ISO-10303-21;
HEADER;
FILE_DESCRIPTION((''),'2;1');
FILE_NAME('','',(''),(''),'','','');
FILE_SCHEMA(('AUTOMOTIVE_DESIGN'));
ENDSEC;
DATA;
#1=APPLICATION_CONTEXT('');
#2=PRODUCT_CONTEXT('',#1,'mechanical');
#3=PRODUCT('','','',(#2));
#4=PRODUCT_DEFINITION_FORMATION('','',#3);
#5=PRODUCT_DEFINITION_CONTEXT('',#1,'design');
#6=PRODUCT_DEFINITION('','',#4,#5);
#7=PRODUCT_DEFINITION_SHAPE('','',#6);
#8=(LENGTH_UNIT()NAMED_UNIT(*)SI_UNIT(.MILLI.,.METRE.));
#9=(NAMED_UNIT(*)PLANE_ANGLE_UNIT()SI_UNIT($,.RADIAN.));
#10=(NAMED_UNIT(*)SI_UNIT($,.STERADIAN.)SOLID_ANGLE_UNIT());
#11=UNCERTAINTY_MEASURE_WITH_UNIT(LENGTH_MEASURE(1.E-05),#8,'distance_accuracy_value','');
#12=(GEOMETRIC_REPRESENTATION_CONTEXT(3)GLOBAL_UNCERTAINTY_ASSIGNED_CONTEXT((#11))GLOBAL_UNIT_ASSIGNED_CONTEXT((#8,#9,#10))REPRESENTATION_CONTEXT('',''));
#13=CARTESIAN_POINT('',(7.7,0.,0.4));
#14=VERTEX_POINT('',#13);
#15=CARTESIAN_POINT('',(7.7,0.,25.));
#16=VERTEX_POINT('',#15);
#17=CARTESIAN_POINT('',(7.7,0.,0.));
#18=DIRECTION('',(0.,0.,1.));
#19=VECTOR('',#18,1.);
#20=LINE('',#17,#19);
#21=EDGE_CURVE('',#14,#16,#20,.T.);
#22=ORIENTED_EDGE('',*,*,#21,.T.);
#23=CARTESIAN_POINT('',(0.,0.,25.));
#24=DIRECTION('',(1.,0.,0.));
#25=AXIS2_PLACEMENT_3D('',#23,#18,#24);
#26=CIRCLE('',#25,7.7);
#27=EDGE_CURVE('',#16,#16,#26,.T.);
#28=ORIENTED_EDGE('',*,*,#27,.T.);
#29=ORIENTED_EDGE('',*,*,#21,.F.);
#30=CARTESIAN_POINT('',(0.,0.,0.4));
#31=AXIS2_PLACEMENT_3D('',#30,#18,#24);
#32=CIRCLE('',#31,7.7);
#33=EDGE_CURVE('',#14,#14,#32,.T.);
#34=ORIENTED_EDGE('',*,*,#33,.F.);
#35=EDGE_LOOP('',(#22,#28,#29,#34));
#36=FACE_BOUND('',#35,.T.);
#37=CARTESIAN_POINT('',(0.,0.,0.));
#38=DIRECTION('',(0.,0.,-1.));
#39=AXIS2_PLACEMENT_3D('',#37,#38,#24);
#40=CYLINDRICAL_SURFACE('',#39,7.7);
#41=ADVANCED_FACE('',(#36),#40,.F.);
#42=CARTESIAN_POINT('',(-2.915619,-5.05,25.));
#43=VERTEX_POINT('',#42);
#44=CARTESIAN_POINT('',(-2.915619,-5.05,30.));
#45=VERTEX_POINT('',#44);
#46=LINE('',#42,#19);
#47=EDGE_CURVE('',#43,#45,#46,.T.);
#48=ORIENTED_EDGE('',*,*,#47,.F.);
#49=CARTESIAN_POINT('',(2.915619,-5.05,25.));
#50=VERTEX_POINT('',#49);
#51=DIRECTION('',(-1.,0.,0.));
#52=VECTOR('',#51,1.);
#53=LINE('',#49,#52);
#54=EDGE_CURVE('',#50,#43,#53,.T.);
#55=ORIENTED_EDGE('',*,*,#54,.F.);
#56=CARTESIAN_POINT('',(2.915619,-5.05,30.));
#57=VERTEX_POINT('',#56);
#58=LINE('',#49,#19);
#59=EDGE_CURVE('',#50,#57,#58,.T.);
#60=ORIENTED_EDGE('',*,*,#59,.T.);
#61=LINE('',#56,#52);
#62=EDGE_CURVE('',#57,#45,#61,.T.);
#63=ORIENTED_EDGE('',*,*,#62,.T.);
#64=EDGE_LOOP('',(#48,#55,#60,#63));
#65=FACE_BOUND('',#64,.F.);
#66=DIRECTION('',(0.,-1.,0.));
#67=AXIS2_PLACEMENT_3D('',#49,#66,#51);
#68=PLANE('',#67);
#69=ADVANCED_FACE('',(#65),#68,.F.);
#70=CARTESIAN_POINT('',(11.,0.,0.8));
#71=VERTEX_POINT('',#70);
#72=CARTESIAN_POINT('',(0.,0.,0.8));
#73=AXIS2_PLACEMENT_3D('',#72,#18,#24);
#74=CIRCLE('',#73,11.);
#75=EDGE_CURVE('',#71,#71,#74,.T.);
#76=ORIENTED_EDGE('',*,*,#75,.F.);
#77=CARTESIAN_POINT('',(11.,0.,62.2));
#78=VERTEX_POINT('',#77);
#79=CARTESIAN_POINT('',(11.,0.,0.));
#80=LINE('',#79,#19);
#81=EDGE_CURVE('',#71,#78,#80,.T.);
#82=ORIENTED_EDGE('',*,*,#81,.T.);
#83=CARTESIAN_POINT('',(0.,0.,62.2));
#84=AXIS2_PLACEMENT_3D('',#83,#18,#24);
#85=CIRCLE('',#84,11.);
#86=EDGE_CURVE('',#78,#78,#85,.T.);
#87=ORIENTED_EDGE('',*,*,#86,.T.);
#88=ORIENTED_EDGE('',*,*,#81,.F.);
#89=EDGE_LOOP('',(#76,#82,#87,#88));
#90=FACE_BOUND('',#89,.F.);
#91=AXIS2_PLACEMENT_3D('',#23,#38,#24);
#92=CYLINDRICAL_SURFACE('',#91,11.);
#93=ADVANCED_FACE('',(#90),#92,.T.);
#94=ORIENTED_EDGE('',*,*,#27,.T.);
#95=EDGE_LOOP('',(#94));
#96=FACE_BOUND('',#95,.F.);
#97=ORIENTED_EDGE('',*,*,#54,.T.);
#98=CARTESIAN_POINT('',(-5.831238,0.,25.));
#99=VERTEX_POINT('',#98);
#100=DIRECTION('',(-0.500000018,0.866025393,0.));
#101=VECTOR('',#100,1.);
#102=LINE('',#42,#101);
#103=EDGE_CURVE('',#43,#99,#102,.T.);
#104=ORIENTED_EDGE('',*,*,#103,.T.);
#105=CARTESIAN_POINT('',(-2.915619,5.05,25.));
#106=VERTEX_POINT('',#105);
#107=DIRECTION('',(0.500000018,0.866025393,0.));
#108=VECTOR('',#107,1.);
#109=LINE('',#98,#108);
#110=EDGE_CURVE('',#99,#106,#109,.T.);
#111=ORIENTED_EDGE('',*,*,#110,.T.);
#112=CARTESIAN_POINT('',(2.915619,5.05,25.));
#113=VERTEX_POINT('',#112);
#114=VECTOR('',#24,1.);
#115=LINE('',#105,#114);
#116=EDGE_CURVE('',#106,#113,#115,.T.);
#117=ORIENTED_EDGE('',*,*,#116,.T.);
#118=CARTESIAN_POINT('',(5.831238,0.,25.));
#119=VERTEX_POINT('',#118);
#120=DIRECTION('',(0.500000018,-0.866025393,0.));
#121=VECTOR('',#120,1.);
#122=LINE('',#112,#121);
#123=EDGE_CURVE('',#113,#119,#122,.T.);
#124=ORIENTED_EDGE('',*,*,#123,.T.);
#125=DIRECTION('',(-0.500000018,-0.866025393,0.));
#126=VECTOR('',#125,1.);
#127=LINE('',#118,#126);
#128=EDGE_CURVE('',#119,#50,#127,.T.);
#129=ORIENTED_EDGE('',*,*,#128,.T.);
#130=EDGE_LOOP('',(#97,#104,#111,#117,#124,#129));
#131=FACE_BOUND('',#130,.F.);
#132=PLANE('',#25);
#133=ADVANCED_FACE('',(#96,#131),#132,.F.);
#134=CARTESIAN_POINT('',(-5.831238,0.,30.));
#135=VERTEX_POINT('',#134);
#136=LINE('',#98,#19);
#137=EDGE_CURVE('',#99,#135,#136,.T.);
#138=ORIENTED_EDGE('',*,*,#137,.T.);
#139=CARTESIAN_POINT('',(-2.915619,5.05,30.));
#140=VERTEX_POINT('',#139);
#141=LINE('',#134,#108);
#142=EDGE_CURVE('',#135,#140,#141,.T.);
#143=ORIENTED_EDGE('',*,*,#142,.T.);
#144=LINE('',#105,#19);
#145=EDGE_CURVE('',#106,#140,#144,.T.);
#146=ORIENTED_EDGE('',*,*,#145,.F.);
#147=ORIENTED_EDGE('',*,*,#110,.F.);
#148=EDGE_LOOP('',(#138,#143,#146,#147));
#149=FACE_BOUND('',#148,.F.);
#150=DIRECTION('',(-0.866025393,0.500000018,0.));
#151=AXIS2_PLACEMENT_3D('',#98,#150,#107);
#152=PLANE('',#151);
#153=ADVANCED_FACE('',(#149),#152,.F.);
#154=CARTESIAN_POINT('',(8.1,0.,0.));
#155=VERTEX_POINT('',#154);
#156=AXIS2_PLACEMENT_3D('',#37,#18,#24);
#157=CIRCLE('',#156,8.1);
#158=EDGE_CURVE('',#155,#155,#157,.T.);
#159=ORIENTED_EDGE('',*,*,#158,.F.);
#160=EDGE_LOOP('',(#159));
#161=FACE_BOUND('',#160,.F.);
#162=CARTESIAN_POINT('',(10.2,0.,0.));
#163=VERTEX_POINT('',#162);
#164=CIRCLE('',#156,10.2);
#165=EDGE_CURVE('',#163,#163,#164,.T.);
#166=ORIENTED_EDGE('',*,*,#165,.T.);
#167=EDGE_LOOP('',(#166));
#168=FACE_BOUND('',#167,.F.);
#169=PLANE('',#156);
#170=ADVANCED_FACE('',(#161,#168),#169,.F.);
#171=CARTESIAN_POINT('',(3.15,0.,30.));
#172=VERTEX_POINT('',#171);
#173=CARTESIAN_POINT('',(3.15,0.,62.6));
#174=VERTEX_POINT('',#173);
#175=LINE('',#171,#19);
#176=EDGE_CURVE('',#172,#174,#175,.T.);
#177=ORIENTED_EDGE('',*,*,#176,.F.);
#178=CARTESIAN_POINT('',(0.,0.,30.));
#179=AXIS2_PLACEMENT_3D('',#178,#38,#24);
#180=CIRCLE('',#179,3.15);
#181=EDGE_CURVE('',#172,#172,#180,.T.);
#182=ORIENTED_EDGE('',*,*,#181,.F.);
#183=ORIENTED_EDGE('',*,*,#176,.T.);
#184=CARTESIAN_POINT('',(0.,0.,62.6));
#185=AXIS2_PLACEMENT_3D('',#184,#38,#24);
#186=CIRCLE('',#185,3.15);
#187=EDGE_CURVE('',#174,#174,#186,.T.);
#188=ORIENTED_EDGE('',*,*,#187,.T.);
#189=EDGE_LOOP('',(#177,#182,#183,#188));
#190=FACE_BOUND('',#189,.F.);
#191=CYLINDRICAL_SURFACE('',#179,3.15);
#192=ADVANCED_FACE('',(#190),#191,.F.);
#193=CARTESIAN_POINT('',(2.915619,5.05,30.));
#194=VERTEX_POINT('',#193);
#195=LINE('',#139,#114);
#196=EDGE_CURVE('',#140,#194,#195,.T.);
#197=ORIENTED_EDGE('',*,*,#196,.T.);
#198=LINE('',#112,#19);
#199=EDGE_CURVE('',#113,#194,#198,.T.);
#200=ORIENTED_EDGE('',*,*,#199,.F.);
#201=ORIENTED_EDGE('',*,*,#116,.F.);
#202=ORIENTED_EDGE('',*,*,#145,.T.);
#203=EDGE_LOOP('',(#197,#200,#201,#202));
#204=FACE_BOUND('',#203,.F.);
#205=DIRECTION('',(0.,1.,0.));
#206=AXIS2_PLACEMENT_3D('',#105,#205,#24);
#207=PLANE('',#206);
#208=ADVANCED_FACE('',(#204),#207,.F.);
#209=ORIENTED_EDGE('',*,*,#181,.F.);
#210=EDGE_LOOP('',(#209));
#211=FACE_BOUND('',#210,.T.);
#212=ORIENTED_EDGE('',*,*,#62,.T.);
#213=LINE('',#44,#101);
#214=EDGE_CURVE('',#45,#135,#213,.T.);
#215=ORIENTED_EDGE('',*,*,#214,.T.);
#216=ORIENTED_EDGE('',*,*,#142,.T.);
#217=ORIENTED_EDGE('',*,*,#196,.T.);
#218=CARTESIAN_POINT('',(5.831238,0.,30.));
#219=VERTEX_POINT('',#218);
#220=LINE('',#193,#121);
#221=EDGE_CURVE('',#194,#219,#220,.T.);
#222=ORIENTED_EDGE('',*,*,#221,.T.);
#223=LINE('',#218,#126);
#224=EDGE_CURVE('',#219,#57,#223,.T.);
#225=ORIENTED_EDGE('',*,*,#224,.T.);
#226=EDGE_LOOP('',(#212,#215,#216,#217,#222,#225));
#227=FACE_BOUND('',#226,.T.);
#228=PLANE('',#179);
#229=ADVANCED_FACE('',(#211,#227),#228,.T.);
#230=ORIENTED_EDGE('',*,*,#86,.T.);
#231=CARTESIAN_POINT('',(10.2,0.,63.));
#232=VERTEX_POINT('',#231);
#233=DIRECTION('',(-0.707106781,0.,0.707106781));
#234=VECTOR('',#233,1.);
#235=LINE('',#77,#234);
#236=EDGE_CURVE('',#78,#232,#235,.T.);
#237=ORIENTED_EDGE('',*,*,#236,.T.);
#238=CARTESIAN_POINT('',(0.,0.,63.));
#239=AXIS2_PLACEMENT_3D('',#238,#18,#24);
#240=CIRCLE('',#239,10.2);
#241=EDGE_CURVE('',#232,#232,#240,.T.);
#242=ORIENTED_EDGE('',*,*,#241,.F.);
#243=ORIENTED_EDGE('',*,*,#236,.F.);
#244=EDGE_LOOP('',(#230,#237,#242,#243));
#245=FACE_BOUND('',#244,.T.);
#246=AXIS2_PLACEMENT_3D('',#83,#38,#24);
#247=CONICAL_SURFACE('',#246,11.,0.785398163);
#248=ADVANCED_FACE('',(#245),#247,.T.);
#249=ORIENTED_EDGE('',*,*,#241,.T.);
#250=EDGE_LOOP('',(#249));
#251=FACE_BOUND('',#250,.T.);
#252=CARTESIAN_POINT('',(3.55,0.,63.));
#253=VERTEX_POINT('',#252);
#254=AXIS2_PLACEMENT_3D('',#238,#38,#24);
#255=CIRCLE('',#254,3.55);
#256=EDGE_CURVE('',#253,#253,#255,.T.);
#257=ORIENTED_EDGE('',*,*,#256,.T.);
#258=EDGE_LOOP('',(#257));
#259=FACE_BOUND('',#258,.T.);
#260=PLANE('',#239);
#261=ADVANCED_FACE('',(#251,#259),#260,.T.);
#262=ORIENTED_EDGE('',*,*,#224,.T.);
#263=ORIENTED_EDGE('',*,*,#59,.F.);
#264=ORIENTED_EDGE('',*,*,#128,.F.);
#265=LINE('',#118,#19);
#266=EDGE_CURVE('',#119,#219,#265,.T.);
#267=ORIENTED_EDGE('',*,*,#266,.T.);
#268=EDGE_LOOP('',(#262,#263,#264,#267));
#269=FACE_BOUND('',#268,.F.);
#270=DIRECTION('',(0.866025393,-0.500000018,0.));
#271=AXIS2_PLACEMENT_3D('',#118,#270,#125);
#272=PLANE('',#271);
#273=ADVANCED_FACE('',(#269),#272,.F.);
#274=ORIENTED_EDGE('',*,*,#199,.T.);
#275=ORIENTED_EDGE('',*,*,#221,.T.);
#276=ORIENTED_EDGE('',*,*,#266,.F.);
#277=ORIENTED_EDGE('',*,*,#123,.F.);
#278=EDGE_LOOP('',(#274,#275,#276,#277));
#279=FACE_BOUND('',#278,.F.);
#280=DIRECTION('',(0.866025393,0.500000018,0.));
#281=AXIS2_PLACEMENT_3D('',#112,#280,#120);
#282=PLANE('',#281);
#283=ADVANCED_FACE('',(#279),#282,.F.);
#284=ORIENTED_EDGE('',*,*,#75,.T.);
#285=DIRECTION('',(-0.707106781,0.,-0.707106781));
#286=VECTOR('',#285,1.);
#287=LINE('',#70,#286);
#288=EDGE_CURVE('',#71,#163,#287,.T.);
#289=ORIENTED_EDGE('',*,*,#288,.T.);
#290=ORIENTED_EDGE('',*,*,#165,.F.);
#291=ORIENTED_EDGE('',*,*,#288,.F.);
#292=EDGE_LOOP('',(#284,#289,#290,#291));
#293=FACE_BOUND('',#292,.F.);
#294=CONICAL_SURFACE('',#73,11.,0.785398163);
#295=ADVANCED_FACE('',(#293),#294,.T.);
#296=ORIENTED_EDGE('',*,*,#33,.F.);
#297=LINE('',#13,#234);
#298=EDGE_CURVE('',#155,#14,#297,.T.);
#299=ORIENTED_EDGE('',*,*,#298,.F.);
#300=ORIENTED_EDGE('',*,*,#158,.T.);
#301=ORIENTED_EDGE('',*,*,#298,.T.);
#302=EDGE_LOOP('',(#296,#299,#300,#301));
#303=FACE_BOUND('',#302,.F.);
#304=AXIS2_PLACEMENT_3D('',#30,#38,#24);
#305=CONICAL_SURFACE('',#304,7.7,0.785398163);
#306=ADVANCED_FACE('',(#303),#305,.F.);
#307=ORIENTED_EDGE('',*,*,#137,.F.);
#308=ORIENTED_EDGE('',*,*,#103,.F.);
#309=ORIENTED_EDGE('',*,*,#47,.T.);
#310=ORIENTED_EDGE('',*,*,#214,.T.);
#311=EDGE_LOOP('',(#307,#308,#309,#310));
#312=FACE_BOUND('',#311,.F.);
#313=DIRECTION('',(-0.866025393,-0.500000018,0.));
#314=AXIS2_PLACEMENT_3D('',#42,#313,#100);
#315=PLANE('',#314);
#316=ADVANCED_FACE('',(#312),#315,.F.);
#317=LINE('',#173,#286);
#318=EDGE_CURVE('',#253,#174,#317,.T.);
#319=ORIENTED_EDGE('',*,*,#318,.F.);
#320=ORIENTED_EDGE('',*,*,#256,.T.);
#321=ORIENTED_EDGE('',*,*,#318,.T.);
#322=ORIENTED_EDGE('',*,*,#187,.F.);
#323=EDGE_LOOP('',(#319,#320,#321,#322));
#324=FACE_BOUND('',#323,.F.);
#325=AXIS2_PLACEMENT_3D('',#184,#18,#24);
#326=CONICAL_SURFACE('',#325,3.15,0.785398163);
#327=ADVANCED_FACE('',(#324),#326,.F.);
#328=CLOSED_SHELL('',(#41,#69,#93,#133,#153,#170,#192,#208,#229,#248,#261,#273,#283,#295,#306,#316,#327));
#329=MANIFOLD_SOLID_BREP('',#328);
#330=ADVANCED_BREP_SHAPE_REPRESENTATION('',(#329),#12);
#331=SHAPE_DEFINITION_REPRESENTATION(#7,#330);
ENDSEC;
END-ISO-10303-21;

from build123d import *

# Parameters (mm, degrees)
F0_R     = 11
F0_R_2   = 7.7
F1_DEPTH = 25
F2_R     = 11
F3_DEPTH = 38
F5_DEPTH = 5
F6_R     = 3.15
F7_DEPTH = 50
F8_SIZE  = 0.8
F9_SIZE  = 0.4
F10_SIZE = 0.4


with BuildPart() as f1:
    # F0 (on Top) → F1 (new body)
    with BuildSketch(Plane.XY):
        Circle(F0_R)
        Circle(F0_R_2, mode=Mode.SUBTRACT)
    extrude(amount=F1_DEPTH)

    # F2 (on face) → F3 (join)
    with BuildSketch(Plane.XY.offset(25)):
        Circle(F2_R)
    extrude(amount=F3_DEPTH)

    # F4 (on face) → F5 (cut)
    with BuildSketch(Plane(origin=(0, 0, 25), x_dir=(1, 0, 0), z_dir=(0, 0, -1))):
        Polygon((-2.915619, -5.05), (2.915619, -5.05), (5.831238, 0), (2.915619, 5.05), (-2.915619, 5.05), (-5.831238, 0), align=None)
    extrude(amount=-F5_DEPTH, mode=Mode.SUBTRACT)

    # F6 (on face) → F7 (cut)
    with BuildSketch(Plane(origin=(0, 0, 30), x_dir=(1, 0, 0), z_dir=(0, 0, -1))):
        Circle(F6_R)
    extrude(amount=-F7_DEPTH, mode=Mode.SUBTRACT)

    # F8
    f8_edges = [f1.edges().sort_by_distance(p)[0] for p in [
        (-11, 0, 0),
        (-11, 0, 63),
    ]]
    chamfer(f8_edges, length=F8_SIZE)

    # F9
    f9_edges = [f1.edges().sort_by_distance(p)[0] for p in [
        (-3.15, 0, 63),
    ]]
    chamfer(f9_edges, length=F9_SIZE)

    # F10
    f10_edges = [f1.edges().sort_by_distance(p)[0] for p in [
        (-7.7, 0, 0),
    ]]
    chamfer(f10_edges, length=F10_SIZE)


solid = f1.part
